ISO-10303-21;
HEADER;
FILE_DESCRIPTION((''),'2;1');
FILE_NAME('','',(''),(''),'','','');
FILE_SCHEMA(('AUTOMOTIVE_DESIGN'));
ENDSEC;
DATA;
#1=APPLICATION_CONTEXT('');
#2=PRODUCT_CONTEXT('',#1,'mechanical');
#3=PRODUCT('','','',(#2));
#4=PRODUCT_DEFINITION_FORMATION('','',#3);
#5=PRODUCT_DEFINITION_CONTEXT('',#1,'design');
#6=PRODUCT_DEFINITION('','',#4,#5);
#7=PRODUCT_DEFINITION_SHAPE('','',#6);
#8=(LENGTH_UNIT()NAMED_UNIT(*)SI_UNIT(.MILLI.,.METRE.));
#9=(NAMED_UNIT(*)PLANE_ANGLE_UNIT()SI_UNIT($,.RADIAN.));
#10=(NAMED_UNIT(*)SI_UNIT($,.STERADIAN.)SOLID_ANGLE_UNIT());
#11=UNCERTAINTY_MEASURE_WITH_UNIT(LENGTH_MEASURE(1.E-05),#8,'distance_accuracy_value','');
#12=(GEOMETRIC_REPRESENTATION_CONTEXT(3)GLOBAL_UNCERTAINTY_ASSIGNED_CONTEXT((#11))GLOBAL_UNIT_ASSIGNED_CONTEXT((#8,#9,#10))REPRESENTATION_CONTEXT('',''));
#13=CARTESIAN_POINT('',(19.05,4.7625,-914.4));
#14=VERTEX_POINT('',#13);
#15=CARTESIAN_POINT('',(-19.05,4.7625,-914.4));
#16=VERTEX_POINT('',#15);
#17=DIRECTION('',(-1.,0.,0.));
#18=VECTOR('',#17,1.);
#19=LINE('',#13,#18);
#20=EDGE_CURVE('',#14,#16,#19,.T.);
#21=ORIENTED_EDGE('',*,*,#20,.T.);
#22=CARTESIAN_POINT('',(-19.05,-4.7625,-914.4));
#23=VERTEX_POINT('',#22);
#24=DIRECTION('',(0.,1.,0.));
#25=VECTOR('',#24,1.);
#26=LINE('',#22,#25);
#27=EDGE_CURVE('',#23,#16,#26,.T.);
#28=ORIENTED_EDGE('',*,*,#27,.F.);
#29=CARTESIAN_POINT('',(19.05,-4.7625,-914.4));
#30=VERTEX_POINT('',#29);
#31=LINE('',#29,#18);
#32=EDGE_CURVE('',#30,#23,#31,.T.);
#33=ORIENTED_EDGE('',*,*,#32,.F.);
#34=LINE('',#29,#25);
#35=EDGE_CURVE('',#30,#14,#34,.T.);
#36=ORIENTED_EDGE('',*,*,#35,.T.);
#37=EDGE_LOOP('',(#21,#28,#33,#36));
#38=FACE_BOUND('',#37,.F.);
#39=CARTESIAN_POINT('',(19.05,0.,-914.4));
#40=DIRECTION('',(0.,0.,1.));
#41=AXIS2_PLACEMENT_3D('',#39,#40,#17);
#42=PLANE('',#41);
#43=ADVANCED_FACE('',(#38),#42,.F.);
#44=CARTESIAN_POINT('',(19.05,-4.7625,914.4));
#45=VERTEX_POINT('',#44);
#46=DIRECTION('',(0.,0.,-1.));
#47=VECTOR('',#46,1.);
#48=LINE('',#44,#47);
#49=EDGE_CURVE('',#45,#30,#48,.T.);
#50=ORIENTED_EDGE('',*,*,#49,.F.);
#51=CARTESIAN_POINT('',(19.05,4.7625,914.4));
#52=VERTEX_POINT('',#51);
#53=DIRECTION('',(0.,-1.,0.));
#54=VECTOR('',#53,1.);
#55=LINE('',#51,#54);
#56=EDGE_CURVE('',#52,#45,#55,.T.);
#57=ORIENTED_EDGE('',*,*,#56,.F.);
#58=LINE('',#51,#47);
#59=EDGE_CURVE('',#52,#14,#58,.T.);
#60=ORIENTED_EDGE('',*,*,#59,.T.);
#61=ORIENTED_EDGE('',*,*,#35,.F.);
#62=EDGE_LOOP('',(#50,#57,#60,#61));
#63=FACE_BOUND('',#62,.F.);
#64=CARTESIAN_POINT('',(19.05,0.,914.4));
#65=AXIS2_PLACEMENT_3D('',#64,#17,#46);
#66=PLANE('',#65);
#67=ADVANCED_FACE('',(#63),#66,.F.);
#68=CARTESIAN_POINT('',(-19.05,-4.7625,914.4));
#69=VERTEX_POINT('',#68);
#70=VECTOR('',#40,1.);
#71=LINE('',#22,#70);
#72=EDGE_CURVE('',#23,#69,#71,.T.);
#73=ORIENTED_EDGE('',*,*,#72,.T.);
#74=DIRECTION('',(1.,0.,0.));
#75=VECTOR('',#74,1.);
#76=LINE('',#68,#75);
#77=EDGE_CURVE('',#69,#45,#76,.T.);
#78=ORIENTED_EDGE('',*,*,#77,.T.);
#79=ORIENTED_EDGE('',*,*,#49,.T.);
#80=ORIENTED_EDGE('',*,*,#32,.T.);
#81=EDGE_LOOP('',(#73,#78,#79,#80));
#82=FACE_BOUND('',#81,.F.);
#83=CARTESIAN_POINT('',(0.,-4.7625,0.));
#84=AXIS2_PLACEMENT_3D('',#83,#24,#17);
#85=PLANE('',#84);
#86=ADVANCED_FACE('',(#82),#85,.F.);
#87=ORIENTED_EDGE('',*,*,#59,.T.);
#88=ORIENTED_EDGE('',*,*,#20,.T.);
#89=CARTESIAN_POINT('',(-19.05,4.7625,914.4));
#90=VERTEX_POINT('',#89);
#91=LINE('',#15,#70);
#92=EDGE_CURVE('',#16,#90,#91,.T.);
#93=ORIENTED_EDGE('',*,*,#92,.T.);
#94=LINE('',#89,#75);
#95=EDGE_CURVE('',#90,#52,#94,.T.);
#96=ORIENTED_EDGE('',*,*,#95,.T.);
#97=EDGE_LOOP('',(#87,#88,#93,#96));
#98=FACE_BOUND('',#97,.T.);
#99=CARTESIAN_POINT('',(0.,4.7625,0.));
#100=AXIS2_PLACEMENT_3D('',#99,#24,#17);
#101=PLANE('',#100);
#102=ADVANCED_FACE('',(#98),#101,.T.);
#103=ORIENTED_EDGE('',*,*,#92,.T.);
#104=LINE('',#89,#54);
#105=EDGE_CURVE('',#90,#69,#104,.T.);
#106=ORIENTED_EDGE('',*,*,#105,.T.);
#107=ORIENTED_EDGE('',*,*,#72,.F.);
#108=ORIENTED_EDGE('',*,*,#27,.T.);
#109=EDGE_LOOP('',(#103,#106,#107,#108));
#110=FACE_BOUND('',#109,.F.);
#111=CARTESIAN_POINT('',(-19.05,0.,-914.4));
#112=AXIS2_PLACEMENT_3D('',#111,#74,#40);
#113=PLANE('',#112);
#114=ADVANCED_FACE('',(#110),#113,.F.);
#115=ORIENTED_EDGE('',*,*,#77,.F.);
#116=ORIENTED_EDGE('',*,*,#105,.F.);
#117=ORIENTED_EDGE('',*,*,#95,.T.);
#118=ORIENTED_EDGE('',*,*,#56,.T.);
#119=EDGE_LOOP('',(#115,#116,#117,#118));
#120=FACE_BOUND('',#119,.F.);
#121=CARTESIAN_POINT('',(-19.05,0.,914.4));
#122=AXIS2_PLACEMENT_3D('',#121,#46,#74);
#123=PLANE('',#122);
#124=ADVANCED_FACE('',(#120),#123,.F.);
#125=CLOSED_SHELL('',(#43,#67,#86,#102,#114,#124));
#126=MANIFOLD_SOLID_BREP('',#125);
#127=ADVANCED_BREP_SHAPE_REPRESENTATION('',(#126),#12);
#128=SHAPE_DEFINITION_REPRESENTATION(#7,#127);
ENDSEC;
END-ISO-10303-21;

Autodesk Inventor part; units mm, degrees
ref_plane "YZ Plane" through (0, 0, 0) normal (1, 0, 0) x (0, 1, 0)
ref_plane "XZ Plane" through (0, 0, 0) normal (0, 1, 0) x (-1, 0, 0)
ref_plane "XY Plane" through (0, 0, 0) normal (0, 0, 1) x (1, 0, 0)
sketch "Sketch1" plane through (0, 0, 0) normal (0, 1, 0) x (-1, 0, 0)
  line L0 (-19.05, -914.4) -> (19.05, -914.4)
  line L1 (19.05, -914.4) -> (19.05, 914.4)
  line L2 (19.05, 914.4) -> (-19.05, 914.4)
  line L3 (-19.05, 914.4) -> (-19.05, -914.4)
  line L4 (-19.05, -914.4) -> (19.05, 914.4) construction
  line L5 (19.05, -914.4) -> (-19.05, 914.4) construction
  point P0 (0, 0)
  dimension "d0" = 38.1
  dimension "d1" = 1828.8
extrude "Extrusion1" add sketch "Sketch1" along normal mid plane 9.525
properties part number "WOOD_STOCK_TREBUCHET" material "Wood (Oak)"
